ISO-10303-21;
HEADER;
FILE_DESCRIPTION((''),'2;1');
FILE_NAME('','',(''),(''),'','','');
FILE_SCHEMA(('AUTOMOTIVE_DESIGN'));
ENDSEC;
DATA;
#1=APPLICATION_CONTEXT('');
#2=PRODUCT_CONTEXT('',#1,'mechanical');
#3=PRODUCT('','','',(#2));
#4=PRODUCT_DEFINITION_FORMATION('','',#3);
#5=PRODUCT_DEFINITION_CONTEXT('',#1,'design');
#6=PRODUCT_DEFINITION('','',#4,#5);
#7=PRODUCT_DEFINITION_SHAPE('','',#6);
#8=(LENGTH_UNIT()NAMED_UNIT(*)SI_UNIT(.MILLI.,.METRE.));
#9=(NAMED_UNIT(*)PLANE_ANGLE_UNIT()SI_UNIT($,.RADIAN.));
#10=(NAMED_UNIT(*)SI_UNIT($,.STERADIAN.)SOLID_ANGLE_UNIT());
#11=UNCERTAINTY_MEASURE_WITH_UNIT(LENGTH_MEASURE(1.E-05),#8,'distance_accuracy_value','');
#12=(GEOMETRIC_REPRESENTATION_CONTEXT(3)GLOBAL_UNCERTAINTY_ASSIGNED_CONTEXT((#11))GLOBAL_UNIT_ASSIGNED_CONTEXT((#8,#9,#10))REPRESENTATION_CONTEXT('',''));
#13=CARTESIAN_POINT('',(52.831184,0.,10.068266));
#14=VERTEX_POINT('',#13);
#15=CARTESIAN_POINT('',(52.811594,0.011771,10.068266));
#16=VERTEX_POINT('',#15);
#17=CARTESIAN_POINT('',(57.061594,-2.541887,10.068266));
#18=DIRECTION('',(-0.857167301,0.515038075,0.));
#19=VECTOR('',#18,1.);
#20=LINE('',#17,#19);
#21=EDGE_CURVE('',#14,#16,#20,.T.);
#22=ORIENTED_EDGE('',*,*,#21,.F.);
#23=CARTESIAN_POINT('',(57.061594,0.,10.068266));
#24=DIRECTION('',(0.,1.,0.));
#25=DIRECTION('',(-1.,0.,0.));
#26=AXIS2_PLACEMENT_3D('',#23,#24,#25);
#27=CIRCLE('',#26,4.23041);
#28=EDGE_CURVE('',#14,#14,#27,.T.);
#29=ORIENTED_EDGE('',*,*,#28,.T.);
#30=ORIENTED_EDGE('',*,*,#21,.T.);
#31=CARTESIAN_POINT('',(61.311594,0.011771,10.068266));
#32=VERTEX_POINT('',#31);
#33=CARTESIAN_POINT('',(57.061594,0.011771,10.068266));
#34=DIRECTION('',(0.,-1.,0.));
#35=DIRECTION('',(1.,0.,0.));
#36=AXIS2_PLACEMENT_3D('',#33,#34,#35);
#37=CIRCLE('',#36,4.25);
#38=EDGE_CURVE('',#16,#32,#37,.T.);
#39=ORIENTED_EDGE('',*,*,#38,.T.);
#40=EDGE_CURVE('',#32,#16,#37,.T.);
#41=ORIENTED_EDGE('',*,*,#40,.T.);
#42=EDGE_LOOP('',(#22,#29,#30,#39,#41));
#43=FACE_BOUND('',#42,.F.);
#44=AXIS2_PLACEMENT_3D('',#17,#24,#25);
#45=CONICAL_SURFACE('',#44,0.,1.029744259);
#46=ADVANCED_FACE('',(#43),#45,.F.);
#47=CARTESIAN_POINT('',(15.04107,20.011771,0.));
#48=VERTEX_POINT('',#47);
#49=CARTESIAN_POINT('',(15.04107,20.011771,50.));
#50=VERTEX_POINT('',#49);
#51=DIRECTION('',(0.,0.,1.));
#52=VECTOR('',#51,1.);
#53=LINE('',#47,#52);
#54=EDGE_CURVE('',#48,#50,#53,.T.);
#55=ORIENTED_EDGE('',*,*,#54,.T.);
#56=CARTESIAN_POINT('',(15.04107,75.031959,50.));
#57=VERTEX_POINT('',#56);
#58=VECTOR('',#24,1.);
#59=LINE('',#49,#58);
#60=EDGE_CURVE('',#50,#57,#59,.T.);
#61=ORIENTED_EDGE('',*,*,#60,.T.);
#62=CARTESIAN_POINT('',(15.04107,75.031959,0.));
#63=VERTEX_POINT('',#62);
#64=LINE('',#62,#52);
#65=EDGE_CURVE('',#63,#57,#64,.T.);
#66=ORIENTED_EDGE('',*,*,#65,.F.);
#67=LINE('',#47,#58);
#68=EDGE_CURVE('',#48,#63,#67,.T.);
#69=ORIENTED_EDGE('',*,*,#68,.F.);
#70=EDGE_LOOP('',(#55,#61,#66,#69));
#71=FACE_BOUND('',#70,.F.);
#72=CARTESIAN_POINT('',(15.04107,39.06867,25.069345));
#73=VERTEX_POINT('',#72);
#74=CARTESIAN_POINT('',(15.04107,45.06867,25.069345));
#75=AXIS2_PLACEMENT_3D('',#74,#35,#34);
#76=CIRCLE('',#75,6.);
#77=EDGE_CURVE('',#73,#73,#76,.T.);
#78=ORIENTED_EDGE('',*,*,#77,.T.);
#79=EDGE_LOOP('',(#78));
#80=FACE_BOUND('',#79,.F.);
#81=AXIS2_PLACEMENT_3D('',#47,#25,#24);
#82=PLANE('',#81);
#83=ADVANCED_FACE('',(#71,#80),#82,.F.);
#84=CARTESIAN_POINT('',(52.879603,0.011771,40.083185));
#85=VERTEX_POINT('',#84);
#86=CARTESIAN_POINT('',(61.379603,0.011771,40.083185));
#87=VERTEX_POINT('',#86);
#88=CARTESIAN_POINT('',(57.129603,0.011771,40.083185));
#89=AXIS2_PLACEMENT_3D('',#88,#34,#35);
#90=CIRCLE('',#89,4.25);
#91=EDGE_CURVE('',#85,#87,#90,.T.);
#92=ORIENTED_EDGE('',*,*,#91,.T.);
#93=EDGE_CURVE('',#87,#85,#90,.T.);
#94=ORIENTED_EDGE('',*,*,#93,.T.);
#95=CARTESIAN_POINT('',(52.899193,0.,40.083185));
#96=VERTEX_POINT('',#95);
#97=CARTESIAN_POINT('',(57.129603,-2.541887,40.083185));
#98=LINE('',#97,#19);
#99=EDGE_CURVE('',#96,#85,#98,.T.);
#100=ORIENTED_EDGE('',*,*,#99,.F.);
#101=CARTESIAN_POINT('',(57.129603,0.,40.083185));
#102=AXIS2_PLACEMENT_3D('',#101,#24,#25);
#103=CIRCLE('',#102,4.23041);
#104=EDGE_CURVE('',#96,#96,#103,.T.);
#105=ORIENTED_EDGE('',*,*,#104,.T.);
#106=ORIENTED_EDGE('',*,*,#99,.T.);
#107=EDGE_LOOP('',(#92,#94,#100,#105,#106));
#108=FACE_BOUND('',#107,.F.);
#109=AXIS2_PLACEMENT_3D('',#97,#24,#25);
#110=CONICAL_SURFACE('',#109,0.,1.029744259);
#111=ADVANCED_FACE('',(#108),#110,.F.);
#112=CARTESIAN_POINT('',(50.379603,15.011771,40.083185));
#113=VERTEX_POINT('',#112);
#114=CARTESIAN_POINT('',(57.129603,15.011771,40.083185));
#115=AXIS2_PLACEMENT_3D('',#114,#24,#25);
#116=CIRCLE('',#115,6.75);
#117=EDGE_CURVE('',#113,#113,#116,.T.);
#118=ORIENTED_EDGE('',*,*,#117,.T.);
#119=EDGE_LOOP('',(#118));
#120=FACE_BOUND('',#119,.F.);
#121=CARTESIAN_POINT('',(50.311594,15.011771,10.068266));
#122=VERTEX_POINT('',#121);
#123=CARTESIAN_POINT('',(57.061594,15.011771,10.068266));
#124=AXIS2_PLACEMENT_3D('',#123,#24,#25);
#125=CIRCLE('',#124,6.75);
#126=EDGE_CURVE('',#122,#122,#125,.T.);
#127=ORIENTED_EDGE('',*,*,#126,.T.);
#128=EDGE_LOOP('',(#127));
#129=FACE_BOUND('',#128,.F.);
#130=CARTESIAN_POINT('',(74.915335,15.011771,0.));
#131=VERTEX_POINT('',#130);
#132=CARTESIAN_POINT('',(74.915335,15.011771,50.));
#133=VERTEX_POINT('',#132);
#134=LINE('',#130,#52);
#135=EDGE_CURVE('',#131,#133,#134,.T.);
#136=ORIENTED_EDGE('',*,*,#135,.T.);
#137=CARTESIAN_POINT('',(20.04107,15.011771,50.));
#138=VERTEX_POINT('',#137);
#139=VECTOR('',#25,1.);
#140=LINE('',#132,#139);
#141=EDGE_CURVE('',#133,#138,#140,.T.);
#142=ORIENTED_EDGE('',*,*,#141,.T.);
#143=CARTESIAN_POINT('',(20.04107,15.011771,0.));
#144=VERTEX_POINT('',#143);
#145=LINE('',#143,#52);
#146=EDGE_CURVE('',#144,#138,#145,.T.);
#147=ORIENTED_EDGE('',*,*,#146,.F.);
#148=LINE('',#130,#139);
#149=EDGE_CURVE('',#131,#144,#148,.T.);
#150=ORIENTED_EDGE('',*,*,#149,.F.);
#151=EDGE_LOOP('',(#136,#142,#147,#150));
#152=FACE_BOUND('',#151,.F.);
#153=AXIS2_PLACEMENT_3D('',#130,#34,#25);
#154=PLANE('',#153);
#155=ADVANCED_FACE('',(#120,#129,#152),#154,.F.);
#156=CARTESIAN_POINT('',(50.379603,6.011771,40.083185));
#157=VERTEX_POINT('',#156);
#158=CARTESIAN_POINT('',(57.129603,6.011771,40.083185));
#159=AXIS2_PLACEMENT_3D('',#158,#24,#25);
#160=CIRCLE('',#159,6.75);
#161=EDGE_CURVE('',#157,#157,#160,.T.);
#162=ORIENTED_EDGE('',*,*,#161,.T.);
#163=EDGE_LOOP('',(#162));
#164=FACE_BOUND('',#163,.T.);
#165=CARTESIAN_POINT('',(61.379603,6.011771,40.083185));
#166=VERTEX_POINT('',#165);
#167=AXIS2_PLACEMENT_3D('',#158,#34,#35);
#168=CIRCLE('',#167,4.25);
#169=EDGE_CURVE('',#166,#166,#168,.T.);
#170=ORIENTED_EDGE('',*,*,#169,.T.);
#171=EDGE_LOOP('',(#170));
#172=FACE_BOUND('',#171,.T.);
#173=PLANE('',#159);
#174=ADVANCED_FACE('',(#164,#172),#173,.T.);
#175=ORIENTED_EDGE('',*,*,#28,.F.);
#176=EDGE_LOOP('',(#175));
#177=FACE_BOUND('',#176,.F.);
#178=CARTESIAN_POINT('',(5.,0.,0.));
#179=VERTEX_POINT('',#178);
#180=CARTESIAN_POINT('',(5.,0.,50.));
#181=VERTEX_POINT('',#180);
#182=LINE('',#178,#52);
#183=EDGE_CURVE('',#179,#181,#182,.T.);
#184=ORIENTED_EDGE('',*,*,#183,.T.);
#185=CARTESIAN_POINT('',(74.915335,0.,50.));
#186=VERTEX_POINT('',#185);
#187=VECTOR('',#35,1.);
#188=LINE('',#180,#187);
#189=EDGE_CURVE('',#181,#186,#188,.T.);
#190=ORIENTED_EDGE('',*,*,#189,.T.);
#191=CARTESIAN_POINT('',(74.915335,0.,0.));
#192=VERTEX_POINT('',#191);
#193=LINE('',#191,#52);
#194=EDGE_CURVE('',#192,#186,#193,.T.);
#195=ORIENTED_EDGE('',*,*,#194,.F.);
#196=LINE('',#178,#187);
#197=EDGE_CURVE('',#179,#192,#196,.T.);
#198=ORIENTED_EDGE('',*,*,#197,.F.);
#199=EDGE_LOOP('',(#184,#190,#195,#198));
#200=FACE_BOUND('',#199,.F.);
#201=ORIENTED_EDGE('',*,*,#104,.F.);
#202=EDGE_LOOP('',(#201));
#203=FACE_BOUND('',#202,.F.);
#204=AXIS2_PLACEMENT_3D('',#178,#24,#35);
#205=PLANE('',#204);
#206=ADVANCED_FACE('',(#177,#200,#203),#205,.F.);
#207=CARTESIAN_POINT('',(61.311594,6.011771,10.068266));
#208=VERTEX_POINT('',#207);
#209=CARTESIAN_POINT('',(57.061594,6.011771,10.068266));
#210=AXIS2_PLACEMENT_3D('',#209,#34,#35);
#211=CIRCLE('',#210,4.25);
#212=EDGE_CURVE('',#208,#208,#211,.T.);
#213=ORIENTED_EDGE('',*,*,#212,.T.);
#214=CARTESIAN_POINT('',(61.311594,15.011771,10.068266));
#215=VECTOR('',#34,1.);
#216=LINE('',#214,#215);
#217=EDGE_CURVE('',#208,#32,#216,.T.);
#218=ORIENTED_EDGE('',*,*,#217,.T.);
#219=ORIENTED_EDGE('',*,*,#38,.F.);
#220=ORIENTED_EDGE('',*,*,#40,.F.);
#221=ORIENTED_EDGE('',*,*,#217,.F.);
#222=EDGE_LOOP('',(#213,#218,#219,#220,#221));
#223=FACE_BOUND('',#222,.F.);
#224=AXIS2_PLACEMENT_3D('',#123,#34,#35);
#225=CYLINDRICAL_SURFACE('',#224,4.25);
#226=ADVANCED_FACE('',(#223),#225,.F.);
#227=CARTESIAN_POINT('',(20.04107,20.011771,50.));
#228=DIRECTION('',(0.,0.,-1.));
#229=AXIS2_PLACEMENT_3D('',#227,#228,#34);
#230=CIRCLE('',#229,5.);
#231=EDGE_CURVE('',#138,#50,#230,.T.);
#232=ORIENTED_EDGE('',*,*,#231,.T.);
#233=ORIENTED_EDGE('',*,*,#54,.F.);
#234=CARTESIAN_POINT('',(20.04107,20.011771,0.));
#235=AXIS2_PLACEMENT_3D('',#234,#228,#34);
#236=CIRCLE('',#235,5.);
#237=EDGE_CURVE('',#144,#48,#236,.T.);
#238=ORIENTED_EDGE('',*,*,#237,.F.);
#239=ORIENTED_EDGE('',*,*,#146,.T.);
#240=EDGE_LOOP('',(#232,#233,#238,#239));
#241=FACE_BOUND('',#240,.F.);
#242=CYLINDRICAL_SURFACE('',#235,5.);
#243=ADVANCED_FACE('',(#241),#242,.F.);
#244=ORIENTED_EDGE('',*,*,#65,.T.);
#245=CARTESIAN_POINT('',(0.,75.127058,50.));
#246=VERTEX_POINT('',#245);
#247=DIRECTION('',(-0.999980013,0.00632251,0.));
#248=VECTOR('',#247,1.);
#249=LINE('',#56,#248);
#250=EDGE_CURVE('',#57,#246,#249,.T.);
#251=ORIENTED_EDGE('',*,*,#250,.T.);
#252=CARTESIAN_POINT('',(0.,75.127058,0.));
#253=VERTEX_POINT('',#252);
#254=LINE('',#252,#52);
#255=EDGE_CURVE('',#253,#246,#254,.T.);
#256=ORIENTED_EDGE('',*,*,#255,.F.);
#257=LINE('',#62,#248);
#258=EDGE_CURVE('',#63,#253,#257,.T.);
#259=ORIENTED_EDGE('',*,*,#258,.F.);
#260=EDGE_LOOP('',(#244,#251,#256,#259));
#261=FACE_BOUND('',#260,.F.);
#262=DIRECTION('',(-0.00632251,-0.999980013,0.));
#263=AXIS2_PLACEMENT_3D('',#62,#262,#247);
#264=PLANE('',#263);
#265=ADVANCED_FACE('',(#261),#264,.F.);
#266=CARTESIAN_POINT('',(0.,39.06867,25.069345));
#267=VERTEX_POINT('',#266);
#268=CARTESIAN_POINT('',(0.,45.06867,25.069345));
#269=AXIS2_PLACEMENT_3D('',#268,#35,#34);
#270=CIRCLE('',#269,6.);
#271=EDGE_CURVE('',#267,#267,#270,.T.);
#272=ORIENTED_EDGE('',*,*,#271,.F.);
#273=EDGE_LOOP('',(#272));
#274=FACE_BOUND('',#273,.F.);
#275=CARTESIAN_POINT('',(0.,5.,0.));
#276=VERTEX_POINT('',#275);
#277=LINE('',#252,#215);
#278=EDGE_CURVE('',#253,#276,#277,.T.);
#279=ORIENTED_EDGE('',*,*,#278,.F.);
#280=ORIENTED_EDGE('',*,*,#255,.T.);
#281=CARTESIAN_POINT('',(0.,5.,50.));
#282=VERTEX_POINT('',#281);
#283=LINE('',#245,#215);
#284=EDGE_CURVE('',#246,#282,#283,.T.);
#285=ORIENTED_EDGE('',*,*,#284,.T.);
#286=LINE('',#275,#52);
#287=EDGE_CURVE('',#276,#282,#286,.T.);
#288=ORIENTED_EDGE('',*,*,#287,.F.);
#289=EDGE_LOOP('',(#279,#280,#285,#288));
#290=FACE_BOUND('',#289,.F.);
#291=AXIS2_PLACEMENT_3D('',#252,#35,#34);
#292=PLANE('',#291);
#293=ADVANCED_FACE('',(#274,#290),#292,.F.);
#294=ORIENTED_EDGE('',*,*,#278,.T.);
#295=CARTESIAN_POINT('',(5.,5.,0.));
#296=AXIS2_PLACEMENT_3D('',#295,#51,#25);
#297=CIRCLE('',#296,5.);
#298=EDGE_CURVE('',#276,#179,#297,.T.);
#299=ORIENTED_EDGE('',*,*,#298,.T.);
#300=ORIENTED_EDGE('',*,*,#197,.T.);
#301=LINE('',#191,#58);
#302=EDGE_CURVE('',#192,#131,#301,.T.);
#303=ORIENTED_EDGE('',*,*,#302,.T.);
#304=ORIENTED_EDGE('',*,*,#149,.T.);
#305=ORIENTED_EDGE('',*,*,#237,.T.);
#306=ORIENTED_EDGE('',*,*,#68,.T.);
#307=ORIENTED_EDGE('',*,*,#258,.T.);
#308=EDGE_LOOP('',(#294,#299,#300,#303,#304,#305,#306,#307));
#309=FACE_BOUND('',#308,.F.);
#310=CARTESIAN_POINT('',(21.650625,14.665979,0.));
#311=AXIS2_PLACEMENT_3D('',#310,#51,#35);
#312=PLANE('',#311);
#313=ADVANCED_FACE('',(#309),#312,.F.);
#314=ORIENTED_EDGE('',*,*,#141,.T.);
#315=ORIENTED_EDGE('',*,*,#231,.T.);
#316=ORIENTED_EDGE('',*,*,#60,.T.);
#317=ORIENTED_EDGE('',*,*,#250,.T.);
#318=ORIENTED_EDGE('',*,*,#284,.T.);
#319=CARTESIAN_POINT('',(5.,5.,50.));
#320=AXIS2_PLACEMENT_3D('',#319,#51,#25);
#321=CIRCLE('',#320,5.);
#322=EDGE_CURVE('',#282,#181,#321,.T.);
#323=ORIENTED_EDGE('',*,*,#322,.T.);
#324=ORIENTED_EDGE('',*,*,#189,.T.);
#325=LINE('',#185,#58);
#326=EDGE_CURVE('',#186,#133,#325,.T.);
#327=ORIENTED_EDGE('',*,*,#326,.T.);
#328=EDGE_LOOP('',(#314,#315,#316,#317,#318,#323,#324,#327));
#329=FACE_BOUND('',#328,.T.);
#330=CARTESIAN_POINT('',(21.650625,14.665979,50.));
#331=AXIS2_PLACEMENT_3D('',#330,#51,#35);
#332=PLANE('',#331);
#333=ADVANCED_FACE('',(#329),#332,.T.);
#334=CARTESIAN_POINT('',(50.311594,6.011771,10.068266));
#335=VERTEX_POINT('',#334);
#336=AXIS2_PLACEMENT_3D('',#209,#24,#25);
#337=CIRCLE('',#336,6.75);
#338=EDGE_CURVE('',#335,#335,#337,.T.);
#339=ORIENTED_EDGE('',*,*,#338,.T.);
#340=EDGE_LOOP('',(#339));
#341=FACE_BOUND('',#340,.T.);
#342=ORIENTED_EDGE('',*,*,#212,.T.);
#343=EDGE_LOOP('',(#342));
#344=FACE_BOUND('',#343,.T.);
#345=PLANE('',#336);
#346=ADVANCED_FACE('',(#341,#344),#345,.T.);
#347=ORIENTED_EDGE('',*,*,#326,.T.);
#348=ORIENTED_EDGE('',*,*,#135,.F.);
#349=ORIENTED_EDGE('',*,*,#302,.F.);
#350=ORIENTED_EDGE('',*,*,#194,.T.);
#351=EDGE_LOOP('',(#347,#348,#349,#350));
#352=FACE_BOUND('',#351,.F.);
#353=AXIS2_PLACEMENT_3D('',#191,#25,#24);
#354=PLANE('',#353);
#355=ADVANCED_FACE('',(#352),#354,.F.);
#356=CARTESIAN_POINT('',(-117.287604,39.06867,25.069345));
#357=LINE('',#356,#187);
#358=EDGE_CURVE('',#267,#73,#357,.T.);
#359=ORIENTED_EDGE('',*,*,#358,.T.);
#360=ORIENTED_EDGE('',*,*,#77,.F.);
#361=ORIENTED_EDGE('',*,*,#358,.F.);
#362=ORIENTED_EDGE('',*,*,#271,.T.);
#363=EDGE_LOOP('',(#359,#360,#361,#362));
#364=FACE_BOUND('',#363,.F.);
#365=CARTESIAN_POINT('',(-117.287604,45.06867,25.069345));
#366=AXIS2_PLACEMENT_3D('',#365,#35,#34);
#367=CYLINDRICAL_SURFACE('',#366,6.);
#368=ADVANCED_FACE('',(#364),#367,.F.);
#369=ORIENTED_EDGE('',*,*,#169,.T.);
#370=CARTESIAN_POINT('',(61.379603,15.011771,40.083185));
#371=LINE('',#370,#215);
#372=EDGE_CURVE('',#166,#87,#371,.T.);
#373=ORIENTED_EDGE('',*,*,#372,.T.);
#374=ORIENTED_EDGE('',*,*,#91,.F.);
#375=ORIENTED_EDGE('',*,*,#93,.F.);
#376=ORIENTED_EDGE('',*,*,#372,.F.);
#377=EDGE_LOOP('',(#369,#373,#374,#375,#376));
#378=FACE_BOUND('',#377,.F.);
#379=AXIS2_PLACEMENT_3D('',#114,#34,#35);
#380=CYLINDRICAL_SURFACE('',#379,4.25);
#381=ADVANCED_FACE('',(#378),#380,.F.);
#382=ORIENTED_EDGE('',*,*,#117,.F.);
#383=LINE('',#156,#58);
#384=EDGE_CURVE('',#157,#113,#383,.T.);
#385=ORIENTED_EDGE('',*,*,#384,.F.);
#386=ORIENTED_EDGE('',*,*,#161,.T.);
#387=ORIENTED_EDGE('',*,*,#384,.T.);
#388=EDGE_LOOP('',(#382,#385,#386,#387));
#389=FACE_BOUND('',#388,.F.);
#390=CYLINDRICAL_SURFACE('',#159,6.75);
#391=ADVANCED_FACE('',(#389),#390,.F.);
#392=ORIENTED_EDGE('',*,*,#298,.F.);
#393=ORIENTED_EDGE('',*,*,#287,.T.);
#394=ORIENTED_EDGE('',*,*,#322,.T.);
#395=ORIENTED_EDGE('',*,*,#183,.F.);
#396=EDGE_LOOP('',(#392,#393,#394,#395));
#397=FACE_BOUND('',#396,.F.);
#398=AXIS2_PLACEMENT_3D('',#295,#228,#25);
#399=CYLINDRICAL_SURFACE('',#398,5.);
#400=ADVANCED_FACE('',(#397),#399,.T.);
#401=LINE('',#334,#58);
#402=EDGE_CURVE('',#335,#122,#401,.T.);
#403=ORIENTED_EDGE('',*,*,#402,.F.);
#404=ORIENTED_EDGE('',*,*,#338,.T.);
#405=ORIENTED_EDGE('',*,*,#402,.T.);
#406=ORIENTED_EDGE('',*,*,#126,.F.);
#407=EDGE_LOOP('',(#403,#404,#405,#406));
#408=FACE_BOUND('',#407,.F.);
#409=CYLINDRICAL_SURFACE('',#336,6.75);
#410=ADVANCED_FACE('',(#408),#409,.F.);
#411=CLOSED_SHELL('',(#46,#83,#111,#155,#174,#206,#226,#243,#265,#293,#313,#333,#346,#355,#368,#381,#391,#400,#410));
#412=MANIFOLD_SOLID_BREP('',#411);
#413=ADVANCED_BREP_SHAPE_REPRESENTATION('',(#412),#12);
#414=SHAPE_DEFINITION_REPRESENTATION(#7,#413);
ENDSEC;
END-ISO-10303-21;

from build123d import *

# Parameters (mm, degrees)
F0_W           = 15.0410700589
F0_H           = 23.9910148084
F1_DEPTH       = 50
F3_D           = 12
F5_D           = 8.5
F5_DEPTH       = 15
F5_CBORE_D     = 13.5
F5_CBORE_DEPTH = 9
F5_TIP         = 2.5536576309


with BuildPart() as f1:
    # F0 (on Top) → F1 (new body)
    with BuildSketch(Plane.XY):
        with BuildLine():
            Line((0, 39.0400364995), (0, 5))
            ThreePointArc((0, 5), (1.4644660941, 1.4644660941), (5, 0))
            Line((5, 0), (52.6695400476, 0))
            Line((52.6695400476, 0), (52.6695400476, 6.0573876835))
            Line((52.6695400476, 6.0573876835), (50.1525513828, 6.0573876835))
            Line((50.1525513828, 6.0573876835), (50.1525513828, 15.0117706507))
            Line((50.1525513828, 15.0117706507), (20.0410700589, 15.0117706507))
            ThreePointArc((20.0410700589, 15.0117706507), (16.505536153, 16.4762367448), (15.0410700589, 20.0117706507))
            Line((15.0410700589, 20.0117706507), (15.0410700589, 25.0367524475))
            Line((15.0410700589, 25.0367524475), (15.0410700589, 39.0400364995))
            Line((15.0410700589, 39.0400364995), (0, 39.0400364995))
        make_face()
        Polygon((0, 45.056425035), (0, 39.0400364995), (15.0410700589, 39.0400364995), (15.0410700589, 45.056425035), (15.0410700589, 51.040943712), (0, 51.040943712), align=None)
        Polygon((52.6695400476, 6.0573876835), (52.6695400476, 0), (56.8805225194, 0), (61.0882826149, 0), (61.0882826149, 6.0573876835), (63.6130347848, 6.0573876835), (63.6130347848, 15.0117706507), (50.1525513828, 15.0117706507), (50.1525513828, 6.0573876835), align=None)
        with Locations((7.5205350295, 63.0364511162)):
            Rectangle(F0_W, F0_H)
        Polygon((0, 75.1270577312), (0, 75.0319585204), (15.0410700589, 75.0319585204), align=None)
        Polygon((61.0882826149, 6.0573876835), (61.0882826149, 0), (74.9153345823, 0), (74.9153345823, 15.0117706507), (63.6130347848, 15.0117706507), (63.6130347848, 6.0573876835), align=None)
    extrude(amount=F1_DEPTH)

    # F3 (through all)
    with Locations(Plane(origin=(0, 0, 0), x_dir=(0, 1, 0), z_dir=(-1, 0, 0))):
        with Locations((45.0686700642, -25.0693447888)):
            Hole(F3_D / 2)

    # F5
    with Locations(Plane(origin=(0, 15.0117706507, 0), x_dir=(-1, 0, 0), z_dir=(0, 1, 0))):
        with Locations((-57.1296028793, 40.0831848383), (-57.0615939796, 10.0682657212)):
            CounterBoreHole(F5_D / 2, F5_CBORE_D / 2, F5_CBORE_DEPTH, depth=F5_DEPTH)
            with Locations((0, 0, -(F5_DEPTH + F5_TIP / 2))):  # 118° drill point
                Cone(0, F5_D / 2, F5_TIP, mode=Mode.SUBTRACT)


solid = f1.part
